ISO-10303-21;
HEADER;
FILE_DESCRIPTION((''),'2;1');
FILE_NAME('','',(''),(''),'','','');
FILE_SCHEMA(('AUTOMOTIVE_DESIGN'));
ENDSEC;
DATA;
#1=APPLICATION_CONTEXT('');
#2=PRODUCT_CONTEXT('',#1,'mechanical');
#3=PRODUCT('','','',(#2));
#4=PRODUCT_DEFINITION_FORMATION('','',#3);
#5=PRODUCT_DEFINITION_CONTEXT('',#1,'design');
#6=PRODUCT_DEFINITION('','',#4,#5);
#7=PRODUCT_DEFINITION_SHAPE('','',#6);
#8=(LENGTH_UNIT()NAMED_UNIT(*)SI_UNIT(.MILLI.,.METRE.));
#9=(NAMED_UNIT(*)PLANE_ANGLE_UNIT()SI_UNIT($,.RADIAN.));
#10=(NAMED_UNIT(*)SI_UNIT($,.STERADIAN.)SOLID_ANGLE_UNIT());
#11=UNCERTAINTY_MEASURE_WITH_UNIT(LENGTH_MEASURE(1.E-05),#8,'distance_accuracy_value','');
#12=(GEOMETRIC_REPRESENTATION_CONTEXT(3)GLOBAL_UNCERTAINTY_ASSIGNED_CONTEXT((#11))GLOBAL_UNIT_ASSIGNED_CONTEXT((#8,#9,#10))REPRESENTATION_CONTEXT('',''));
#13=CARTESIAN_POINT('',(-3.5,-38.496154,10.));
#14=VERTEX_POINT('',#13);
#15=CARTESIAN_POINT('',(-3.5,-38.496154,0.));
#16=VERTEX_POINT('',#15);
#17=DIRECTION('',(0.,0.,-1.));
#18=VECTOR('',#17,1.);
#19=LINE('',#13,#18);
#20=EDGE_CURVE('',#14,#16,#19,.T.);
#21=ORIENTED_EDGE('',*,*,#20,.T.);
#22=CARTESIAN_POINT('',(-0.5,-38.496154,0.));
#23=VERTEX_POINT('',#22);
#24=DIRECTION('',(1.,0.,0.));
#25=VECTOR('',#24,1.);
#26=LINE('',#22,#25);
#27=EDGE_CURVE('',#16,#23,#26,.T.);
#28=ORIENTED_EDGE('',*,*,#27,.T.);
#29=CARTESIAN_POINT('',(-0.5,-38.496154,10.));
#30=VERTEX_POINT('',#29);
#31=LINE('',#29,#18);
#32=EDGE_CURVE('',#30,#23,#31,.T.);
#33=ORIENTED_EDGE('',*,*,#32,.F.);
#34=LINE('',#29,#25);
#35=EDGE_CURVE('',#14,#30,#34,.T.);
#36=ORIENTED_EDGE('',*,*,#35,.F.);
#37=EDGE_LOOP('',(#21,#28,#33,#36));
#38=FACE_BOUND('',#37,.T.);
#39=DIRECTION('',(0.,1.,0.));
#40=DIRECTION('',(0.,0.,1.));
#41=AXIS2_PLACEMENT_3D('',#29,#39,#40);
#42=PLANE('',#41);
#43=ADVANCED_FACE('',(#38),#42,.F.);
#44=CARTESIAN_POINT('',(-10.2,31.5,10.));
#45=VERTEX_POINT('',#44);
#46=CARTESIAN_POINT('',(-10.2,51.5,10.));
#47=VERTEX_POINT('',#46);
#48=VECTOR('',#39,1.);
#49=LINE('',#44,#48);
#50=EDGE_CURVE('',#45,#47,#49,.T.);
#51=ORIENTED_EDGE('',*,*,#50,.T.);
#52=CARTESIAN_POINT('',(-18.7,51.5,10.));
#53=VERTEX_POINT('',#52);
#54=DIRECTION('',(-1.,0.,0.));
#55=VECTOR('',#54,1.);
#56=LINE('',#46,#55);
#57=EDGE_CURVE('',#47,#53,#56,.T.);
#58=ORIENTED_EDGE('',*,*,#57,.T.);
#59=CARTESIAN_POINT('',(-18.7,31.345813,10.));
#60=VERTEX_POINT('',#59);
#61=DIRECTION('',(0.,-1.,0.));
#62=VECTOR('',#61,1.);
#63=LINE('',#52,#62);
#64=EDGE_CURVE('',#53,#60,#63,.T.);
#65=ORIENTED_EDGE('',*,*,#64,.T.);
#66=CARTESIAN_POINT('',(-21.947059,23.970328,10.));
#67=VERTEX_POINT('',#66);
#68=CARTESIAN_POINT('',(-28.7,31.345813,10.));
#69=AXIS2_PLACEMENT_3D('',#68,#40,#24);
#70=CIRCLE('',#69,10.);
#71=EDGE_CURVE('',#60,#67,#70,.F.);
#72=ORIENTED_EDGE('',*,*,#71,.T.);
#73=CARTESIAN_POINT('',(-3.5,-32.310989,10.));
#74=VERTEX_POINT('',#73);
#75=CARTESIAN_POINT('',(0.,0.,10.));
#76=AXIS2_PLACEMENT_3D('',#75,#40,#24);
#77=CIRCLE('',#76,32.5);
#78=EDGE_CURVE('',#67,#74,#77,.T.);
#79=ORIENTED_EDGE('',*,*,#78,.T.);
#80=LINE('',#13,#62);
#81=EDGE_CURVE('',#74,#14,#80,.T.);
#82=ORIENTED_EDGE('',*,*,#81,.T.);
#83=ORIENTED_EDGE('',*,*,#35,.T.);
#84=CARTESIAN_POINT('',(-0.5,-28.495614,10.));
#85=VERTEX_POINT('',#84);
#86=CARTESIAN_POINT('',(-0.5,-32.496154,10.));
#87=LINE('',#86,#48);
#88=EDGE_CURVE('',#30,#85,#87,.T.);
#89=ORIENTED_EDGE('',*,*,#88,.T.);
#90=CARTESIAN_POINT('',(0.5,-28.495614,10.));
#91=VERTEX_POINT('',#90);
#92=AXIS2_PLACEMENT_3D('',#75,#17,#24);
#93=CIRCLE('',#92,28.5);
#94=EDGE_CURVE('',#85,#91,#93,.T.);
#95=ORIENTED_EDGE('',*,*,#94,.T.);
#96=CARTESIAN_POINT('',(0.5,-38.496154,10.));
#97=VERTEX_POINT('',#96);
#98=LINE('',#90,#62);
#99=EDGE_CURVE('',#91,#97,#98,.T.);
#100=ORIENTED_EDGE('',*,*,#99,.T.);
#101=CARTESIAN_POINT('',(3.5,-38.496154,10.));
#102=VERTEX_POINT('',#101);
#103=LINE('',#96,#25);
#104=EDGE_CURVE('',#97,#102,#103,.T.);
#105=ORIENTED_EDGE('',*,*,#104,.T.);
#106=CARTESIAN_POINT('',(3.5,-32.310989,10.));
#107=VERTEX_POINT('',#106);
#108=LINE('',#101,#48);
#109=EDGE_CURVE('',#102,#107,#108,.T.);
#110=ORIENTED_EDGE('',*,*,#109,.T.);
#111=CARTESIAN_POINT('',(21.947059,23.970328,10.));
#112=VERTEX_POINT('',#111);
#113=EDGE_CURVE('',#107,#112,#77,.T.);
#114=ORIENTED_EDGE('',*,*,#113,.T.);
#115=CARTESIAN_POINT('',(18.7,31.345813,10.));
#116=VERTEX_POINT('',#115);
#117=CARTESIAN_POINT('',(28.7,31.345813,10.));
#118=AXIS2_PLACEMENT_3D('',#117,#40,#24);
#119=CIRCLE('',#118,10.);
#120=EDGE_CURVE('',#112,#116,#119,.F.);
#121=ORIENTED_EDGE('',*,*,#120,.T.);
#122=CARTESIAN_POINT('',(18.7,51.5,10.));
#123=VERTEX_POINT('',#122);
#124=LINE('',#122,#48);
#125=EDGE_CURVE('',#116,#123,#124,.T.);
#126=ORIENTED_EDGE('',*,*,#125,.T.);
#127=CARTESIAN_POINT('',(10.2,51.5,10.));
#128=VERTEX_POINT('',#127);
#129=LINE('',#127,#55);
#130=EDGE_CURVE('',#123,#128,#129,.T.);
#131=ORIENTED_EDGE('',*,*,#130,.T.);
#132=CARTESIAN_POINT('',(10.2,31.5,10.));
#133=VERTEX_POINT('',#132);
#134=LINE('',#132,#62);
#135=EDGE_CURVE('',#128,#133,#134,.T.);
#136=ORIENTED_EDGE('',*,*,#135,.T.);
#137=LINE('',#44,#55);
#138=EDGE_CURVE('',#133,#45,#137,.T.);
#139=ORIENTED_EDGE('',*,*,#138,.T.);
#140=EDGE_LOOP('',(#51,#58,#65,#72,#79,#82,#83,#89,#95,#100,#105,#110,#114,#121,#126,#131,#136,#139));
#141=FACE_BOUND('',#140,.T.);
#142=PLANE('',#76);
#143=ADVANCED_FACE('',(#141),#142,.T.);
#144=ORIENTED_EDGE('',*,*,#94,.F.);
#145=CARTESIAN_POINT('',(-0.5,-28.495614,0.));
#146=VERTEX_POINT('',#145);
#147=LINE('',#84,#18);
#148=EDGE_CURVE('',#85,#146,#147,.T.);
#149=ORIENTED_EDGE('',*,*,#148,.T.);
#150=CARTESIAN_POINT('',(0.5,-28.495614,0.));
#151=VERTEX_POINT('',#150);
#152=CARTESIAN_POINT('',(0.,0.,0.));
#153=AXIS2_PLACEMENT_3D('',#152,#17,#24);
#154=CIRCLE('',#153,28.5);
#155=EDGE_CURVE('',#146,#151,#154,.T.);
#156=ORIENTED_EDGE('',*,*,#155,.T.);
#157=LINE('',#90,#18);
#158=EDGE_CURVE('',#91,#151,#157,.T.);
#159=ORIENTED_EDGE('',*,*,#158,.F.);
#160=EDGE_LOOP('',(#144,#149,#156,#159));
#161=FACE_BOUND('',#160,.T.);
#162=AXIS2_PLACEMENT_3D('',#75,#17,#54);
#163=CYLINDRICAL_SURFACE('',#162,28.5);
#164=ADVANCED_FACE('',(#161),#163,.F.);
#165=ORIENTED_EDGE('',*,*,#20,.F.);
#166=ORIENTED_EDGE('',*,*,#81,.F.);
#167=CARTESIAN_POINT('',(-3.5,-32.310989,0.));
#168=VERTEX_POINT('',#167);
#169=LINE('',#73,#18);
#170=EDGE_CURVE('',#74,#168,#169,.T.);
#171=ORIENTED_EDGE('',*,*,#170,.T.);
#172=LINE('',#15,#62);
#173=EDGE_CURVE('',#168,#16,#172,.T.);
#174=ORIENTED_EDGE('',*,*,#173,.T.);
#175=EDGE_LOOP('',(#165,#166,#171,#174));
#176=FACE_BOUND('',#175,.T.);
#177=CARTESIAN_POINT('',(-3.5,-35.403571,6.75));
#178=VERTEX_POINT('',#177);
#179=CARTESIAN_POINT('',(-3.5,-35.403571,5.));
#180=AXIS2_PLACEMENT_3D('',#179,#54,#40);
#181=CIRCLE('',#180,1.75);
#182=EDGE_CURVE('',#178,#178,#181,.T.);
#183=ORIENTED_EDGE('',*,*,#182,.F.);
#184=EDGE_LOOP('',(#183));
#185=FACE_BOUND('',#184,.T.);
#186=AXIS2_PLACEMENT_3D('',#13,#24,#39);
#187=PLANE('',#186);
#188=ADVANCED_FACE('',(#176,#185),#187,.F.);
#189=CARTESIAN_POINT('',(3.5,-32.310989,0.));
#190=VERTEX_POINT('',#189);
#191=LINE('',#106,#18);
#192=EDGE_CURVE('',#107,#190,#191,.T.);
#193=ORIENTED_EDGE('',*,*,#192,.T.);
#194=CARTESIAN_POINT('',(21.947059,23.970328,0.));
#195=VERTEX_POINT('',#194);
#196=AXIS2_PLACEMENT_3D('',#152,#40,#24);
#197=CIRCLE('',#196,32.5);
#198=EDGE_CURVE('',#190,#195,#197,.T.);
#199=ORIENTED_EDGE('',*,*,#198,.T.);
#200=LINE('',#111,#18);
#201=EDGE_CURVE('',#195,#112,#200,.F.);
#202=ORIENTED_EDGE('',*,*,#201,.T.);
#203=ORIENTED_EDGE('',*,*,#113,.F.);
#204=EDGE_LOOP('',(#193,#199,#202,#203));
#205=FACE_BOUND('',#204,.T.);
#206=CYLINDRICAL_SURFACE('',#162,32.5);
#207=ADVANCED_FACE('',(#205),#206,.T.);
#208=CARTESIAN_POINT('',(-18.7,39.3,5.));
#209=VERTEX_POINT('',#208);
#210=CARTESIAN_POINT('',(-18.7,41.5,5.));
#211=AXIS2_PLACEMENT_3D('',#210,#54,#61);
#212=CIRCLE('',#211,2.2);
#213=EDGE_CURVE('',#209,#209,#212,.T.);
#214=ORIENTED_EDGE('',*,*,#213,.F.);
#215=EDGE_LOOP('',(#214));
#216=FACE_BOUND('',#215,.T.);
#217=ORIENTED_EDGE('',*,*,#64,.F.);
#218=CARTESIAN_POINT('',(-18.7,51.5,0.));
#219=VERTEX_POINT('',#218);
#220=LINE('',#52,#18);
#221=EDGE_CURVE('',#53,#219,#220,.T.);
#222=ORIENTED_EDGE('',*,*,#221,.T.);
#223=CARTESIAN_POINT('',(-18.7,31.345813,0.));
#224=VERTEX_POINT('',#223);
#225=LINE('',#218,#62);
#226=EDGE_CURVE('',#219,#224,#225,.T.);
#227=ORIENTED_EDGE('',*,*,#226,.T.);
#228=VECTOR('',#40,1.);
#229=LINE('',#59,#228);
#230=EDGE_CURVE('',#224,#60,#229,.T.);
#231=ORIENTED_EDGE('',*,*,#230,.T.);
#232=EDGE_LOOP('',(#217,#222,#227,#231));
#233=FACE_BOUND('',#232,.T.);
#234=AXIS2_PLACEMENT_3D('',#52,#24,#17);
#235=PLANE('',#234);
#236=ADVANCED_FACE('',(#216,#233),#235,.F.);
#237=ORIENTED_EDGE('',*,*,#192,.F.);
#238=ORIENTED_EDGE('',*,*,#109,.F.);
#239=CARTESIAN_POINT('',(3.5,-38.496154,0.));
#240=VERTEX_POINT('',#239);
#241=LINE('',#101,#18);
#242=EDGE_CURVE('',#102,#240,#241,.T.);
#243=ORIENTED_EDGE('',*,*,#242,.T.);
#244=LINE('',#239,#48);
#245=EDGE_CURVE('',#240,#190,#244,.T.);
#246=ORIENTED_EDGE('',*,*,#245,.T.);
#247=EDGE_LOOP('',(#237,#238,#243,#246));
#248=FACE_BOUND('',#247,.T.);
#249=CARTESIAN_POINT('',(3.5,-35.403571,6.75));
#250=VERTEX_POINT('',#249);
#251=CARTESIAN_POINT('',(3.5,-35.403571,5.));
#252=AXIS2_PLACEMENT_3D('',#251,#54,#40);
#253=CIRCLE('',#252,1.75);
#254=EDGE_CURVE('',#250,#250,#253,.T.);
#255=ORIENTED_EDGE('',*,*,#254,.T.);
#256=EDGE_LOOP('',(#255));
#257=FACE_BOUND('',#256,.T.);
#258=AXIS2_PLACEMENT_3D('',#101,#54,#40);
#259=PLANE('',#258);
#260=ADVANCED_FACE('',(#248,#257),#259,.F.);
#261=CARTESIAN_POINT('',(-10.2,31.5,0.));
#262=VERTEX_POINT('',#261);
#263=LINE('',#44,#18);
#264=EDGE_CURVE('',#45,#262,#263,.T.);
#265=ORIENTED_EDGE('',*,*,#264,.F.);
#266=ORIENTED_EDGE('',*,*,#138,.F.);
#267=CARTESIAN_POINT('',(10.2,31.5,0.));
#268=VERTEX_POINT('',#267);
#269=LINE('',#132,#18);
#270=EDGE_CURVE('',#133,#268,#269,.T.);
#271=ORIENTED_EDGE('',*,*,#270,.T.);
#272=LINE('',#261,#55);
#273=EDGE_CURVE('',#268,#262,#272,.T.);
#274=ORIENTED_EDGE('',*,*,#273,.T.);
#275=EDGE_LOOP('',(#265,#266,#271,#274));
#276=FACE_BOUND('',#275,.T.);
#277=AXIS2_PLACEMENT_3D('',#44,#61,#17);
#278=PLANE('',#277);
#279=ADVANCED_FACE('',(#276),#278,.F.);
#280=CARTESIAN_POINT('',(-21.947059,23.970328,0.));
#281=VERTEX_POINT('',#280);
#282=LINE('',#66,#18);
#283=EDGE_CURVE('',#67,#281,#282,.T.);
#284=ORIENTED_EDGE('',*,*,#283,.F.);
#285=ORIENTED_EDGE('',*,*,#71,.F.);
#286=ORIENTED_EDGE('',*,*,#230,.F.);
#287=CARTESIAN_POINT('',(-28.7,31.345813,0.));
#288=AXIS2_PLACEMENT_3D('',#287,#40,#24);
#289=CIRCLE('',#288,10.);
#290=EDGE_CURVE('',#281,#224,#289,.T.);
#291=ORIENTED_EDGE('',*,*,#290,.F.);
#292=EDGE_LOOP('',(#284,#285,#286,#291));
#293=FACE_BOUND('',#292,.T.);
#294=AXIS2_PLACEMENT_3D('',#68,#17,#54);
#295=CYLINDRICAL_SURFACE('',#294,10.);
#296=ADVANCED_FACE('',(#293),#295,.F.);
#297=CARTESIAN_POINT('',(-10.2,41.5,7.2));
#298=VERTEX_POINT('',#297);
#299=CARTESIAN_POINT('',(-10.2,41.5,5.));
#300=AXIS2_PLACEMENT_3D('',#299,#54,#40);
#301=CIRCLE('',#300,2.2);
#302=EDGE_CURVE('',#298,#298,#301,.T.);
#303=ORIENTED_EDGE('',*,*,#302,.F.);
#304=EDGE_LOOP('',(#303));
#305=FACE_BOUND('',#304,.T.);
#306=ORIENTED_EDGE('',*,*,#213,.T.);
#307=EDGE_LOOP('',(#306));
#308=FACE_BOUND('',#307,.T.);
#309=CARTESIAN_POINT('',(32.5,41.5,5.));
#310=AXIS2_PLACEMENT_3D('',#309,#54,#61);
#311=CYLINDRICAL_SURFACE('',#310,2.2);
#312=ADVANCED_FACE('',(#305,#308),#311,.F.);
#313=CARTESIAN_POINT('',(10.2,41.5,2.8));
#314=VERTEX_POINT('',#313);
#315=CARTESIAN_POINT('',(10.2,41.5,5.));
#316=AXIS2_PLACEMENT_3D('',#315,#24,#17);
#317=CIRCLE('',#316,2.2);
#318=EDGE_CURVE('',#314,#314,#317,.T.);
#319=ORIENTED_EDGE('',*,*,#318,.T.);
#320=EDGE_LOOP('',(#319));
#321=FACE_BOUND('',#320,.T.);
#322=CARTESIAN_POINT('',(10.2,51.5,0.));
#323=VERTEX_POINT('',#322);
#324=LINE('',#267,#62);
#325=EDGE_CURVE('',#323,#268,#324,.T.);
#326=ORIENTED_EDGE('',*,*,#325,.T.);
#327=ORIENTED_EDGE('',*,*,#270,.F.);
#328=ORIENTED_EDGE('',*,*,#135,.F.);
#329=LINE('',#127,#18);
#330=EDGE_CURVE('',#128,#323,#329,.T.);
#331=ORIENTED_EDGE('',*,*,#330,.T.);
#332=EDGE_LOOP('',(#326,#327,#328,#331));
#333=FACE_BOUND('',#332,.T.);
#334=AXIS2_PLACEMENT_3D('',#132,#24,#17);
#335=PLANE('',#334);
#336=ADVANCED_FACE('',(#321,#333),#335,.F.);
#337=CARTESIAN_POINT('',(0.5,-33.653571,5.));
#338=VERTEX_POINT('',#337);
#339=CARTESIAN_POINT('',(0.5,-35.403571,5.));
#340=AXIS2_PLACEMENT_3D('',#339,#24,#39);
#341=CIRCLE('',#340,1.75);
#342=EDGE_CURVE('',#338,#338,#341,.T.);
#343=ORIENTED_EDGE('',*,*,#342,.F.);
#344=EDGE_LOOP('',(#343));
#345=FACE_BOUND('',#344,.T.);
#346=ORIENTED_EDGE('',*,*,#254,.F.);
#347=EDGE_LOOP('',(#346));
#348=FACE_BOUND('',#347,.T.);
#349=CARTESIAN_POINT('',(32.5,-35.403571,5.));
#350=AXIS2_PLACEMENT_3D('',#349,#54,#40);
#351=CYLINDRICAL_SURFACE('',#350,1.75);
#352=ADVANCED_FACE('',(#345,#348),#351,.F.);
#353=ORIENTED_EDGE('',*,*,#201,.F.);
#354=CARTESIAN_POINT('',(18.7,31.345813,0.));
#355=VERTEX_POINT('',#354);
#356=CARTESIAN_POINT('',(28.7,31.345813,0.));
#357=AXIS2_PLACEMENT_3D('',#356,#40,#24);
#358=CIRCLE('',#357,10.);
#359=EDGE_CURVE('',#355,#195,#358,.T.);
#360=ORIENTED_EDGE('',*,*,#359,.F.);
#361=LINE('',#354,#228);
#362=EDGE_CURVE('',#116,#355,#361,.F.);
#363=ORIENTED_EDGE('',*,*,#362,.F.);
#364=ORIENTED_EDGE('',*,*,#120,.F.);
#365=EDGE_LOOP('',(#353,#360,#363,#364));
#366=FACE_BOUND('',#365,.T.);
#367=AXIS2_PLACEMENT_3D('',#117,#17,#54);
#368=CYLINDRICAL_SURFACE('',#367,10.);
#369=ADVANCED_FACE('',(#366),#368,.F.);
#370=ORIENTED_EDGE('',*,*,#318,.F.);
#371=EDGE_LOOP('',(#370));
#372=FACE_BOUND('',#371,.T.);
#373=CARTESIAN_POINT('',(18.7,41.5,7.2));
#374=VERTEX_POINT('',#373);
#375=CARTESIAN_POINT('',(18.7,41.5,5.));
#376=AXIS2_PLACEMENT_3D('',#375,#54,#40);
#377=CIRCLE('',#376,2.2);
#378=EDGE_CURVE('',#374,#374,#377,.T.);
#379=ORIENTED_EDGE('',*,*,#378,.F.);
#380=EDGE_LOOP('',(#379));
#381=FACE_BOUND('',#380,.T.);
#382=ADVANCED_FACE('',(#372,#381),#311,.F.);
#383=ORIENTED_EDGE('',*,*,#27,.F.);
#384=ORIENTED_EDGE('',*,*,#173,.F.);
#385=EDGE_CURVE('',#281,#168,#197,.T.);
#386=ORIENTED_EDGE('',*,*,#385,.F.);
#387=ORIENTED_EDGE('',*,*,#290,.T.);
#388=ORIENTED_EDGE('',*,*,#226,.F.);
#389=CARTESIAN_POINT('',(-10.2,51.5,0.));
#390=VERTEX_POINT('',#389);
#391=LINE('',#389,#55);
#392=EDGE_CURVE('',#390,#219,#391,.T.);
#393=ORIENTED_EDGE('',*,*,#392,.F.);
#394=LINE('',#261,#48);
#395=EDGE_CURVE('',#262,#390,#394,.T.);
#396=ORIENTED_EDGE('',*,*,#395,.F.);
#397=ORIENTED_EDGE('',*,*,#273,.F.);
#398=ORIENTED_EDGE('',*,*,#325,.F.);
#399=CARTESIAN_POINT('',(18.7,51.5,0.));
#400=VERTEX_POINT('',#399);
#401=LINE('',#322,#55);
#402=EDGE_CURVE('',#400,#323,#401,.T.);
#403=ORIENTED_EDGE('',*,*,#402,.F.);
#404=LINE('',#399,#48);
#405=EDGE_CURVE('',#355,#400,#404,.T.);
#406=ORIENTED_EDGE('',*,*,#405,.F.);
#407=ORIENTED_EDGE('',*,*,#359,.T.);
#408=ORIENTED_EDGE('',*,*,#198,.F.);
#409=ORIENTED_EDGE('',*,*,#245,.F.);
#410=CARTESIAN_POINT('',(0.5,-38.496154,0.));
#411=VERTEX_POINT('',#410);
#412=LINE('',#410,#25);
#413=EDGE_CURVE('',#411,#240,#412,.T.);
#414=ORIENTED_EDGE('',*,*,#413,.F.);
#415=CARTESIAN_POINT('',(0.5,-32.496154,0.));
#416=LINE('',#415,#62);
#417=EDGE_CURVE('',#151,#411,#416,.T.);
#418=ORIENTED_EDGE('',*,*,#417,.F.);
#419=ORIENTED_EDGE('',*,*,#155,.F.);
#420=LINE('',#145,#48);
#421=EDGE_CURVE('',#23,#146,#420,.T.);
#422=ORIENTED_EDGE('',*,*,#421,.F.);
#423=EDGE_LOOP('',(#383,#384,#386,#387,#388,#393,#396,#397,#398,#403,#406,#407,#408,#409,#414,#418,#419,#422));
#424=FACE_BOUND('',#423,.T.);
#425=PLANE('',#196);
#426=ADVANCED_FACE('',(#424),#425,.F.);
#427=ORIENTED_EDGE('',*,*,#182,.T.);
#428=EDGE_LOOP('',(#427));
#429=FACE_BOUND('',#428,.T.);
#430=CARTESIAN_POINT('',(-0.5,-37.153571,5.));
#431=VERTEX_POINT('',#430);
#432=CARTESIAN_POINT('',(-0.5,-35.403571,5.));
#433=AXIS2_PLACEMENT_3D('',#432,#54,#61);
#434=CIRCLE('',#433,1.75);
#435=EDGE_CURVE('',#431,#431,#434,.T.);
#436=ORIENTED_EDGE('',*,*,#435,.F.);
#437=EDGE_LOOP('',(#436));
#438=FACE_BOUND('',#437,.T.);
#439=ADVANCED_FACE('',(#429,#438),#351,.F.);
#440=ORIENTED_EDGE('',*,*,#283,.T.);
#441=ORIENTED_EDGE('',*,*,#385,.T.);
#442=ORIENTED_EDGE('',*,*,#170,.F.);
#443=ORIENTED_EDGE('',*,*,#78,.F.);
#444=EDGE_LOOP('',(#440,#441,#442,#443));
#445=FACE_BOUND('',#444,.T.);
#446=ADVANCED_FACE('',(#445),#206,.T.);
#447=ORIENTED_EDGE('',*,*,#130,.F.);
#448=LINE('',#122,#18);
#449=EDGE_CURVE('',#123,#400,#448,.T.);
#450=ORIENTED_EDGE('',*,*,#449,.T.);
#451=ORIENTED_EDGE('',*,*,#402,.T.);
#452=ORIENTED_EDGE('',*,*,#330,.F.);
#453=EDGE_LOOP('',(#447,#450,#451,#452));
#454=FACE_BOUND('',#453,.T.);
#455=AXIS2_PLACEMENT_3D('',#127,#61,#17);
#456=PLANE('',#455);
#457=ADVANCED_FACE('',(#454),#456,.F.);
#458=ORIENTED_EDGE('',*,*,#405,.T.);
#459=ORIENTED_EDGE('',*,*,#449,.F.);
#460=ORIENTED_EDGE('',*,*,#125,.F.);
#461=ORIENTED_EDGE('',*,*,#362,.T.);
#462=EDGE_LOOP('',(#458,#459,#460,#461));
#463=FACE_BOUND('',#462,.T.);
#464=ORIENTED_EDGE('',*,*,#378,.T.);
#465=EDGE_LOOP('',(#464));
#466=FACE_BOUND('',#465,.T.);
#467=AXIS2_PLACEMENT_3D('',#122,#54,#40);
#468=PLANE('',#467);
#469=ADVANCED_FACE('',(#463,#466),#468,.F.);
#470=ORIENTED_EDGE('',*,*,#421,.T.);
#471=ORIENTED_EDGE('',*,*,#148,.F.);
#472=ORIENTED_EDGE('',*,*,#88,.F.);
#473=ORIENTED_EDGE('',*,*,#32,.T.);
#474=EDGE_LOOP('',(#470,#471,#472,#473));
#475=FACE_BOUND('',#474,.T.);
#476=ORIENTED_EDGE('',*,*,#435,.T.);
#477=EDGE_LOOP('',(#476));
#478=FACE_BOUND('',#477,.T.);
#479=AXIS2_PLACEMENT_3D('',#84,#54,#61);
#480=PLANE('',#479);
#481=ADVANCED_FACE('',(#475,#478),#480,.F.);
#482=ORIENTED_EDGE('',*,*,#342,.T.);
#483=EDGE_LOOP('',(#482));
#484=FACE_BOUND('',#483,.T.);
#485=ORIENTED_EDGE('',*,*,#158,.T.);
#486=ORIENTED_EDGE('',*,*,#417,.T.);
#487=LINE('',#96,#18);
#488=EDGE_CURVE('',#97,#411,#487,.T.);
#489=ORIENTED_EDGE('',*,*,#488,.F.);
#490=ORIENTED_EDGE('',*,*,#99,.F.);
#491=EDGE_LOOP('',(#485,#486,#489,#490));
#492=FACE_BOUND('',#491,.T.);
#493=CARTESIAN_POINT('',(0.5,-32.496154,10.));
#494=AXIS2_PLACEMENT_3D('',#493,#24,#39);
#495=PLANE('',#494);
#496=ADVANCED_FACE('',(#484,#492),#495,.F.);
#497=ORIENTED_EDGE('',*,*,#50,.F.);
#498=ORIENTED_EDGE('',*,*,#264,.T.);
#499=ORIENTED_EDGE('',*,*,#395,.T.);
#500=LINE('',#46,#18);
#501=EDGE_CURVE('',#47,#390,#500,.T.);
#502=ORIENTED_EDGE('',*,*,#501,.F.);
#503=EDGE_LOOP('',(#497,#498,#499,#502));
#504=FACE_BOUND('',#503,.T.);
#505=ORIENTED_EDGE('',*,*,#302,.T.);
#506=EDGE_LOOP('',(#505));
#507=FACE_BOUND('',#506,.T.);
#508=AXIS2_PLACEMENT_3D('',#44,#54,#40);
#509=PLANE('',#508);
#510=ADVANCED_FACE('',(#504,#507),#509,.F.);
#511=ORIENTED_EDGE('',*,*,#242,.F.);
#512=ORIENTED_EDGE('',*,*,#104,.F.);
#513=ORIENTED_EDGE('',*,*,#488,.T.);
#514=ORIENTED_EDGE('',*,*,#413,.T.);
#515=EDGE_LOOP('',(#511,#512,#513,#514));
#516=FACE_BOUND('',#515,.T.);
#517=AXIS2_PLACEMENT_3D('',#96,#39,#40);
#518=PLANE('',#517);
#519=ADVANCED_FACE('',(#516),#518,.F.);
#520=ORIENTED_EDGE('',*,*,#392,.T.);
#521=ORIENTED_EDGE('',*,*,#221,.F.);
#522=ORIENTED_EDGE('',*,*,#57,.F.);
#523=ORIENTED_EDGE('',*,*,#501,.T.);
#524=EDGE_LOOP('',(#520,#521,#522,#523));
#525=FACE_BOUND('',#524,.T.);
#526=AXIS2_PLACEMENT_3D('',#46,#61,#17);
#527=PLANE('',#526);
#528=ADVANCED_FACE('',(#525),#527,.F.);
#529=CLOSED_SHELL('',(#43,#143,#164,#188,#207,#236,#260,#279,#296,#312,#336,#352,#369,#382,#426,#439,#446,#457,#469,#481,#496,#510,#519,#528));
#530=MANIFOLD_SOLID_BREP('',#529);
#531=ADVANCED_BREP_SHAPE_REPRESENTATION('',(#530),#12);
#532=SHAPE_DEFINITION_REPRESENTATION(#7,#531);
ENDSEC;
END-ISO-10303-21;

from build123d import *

# Parameters (mm, degrees)
AUFSATZ_LINEAR_AUSTRAGEN1_DEPTH = 10
SKIZZE2_R                       = 1.75
SCHNITT_LINEAR_AUSTRAGEN1_DEPTH = 64.625859523
SKIZZE4_R                       = 2.2
SCHNITT_LINEAR_AUSTRAGEN3_DEPTH = 74.305456823
VERRUNDUNG1_R                   = 10


with BuildPart() as part:
    # Skizze1 → Aufsatz-Linear austragen1 (new body)
    with BuildSketch(Plane.XY):
        with BuildLine():
            Line((0.5, -28.495613698), (0.5, -32.496153619))
            Line((0.5, -32.496153619), (0.5, -38.496153619))
            Line((0.5, -38.496153619), (3.5, -38.496153619))
            Line((3.5, -38.496153619), (3.5, -32.310988843))
            ThreePointArc((3.5, -32.310988843), (31.468752272, -8.122045953), (18.7, 26.581196361))
            Line((18.7, 26.581196361), (18.7, 51.5))
            Line((18.7, 51.5), (10.2, 51.5))
            Line((10.2, 51.5), (10.2, 31.5))
            Line((10.2, 31.5), (-10.2, 31.5))
            Line((-10.2, 31.5), (-10.2, 51.5))
            Line((-10.2, 51.5), (-18.7, 51.5))
            Line((-18.7, 51.5), (-18.7, 26.581196361))
            ThreePointArc((-18.7, 26.581196361), (-31.468752272, -8.122045953), (-3.5, -32.310988843))
            Line((-3.5, -32.310988843), (-3.5, -38.496153619))
            Line((-3.5, -38.496153619), (-0.5, -38.496153619))
            Line((-0.5, -38.496153619), (-0.5, -32.496153619))
            Line((-0.5, -32.496153619), (-0.5, -28.495613698))
            ThreePointArc((-0.5, -28.495613698), (0, 28.5), (0.5, -28.495613698))
        make_face()
    extrude(amount=AUFSATZ_LINEAR_AUSTRAGEN1_DEPTH)

    # Skizze2 → Schnitt-Linear austragen1 (cut, through all)
    with BuildSketch(Plane.ZY.offset(3.5)):
        with Locations((5, -35.403571231)):
            Circle(SKIZZE2_R)
    extrude(amount=-SCHNITT_LINEAR_AUSTRAGEN1_DEPTH, mode=Mode.SUBTRACT)

    # Skizze4 → Schnitt-Linear austragen3 (cut, through all)
    with BuildSketch(Plane.ZY.offset(18.7)):
        with Locations(Location((5, 41.5, 0), (0, 0, 270))):
            Circle(SKIZZE4_R)
    extrude(amount=-SCHNITT_LINEAR_AUSTRAGEN3_DEPTH, mode=Mode.SUBTRACT)

    # Verrundung1
    verrundung1_edges = [part.edges().sort_by_distance(p)[0] for p in [
        (-18.7, 26.581196361, 5),
        (18.7, 26.581196361, 5),
    ]]
    fillet(verrundung1_edges, radius=VERRUNDUNG1_R)


solid = part.part
